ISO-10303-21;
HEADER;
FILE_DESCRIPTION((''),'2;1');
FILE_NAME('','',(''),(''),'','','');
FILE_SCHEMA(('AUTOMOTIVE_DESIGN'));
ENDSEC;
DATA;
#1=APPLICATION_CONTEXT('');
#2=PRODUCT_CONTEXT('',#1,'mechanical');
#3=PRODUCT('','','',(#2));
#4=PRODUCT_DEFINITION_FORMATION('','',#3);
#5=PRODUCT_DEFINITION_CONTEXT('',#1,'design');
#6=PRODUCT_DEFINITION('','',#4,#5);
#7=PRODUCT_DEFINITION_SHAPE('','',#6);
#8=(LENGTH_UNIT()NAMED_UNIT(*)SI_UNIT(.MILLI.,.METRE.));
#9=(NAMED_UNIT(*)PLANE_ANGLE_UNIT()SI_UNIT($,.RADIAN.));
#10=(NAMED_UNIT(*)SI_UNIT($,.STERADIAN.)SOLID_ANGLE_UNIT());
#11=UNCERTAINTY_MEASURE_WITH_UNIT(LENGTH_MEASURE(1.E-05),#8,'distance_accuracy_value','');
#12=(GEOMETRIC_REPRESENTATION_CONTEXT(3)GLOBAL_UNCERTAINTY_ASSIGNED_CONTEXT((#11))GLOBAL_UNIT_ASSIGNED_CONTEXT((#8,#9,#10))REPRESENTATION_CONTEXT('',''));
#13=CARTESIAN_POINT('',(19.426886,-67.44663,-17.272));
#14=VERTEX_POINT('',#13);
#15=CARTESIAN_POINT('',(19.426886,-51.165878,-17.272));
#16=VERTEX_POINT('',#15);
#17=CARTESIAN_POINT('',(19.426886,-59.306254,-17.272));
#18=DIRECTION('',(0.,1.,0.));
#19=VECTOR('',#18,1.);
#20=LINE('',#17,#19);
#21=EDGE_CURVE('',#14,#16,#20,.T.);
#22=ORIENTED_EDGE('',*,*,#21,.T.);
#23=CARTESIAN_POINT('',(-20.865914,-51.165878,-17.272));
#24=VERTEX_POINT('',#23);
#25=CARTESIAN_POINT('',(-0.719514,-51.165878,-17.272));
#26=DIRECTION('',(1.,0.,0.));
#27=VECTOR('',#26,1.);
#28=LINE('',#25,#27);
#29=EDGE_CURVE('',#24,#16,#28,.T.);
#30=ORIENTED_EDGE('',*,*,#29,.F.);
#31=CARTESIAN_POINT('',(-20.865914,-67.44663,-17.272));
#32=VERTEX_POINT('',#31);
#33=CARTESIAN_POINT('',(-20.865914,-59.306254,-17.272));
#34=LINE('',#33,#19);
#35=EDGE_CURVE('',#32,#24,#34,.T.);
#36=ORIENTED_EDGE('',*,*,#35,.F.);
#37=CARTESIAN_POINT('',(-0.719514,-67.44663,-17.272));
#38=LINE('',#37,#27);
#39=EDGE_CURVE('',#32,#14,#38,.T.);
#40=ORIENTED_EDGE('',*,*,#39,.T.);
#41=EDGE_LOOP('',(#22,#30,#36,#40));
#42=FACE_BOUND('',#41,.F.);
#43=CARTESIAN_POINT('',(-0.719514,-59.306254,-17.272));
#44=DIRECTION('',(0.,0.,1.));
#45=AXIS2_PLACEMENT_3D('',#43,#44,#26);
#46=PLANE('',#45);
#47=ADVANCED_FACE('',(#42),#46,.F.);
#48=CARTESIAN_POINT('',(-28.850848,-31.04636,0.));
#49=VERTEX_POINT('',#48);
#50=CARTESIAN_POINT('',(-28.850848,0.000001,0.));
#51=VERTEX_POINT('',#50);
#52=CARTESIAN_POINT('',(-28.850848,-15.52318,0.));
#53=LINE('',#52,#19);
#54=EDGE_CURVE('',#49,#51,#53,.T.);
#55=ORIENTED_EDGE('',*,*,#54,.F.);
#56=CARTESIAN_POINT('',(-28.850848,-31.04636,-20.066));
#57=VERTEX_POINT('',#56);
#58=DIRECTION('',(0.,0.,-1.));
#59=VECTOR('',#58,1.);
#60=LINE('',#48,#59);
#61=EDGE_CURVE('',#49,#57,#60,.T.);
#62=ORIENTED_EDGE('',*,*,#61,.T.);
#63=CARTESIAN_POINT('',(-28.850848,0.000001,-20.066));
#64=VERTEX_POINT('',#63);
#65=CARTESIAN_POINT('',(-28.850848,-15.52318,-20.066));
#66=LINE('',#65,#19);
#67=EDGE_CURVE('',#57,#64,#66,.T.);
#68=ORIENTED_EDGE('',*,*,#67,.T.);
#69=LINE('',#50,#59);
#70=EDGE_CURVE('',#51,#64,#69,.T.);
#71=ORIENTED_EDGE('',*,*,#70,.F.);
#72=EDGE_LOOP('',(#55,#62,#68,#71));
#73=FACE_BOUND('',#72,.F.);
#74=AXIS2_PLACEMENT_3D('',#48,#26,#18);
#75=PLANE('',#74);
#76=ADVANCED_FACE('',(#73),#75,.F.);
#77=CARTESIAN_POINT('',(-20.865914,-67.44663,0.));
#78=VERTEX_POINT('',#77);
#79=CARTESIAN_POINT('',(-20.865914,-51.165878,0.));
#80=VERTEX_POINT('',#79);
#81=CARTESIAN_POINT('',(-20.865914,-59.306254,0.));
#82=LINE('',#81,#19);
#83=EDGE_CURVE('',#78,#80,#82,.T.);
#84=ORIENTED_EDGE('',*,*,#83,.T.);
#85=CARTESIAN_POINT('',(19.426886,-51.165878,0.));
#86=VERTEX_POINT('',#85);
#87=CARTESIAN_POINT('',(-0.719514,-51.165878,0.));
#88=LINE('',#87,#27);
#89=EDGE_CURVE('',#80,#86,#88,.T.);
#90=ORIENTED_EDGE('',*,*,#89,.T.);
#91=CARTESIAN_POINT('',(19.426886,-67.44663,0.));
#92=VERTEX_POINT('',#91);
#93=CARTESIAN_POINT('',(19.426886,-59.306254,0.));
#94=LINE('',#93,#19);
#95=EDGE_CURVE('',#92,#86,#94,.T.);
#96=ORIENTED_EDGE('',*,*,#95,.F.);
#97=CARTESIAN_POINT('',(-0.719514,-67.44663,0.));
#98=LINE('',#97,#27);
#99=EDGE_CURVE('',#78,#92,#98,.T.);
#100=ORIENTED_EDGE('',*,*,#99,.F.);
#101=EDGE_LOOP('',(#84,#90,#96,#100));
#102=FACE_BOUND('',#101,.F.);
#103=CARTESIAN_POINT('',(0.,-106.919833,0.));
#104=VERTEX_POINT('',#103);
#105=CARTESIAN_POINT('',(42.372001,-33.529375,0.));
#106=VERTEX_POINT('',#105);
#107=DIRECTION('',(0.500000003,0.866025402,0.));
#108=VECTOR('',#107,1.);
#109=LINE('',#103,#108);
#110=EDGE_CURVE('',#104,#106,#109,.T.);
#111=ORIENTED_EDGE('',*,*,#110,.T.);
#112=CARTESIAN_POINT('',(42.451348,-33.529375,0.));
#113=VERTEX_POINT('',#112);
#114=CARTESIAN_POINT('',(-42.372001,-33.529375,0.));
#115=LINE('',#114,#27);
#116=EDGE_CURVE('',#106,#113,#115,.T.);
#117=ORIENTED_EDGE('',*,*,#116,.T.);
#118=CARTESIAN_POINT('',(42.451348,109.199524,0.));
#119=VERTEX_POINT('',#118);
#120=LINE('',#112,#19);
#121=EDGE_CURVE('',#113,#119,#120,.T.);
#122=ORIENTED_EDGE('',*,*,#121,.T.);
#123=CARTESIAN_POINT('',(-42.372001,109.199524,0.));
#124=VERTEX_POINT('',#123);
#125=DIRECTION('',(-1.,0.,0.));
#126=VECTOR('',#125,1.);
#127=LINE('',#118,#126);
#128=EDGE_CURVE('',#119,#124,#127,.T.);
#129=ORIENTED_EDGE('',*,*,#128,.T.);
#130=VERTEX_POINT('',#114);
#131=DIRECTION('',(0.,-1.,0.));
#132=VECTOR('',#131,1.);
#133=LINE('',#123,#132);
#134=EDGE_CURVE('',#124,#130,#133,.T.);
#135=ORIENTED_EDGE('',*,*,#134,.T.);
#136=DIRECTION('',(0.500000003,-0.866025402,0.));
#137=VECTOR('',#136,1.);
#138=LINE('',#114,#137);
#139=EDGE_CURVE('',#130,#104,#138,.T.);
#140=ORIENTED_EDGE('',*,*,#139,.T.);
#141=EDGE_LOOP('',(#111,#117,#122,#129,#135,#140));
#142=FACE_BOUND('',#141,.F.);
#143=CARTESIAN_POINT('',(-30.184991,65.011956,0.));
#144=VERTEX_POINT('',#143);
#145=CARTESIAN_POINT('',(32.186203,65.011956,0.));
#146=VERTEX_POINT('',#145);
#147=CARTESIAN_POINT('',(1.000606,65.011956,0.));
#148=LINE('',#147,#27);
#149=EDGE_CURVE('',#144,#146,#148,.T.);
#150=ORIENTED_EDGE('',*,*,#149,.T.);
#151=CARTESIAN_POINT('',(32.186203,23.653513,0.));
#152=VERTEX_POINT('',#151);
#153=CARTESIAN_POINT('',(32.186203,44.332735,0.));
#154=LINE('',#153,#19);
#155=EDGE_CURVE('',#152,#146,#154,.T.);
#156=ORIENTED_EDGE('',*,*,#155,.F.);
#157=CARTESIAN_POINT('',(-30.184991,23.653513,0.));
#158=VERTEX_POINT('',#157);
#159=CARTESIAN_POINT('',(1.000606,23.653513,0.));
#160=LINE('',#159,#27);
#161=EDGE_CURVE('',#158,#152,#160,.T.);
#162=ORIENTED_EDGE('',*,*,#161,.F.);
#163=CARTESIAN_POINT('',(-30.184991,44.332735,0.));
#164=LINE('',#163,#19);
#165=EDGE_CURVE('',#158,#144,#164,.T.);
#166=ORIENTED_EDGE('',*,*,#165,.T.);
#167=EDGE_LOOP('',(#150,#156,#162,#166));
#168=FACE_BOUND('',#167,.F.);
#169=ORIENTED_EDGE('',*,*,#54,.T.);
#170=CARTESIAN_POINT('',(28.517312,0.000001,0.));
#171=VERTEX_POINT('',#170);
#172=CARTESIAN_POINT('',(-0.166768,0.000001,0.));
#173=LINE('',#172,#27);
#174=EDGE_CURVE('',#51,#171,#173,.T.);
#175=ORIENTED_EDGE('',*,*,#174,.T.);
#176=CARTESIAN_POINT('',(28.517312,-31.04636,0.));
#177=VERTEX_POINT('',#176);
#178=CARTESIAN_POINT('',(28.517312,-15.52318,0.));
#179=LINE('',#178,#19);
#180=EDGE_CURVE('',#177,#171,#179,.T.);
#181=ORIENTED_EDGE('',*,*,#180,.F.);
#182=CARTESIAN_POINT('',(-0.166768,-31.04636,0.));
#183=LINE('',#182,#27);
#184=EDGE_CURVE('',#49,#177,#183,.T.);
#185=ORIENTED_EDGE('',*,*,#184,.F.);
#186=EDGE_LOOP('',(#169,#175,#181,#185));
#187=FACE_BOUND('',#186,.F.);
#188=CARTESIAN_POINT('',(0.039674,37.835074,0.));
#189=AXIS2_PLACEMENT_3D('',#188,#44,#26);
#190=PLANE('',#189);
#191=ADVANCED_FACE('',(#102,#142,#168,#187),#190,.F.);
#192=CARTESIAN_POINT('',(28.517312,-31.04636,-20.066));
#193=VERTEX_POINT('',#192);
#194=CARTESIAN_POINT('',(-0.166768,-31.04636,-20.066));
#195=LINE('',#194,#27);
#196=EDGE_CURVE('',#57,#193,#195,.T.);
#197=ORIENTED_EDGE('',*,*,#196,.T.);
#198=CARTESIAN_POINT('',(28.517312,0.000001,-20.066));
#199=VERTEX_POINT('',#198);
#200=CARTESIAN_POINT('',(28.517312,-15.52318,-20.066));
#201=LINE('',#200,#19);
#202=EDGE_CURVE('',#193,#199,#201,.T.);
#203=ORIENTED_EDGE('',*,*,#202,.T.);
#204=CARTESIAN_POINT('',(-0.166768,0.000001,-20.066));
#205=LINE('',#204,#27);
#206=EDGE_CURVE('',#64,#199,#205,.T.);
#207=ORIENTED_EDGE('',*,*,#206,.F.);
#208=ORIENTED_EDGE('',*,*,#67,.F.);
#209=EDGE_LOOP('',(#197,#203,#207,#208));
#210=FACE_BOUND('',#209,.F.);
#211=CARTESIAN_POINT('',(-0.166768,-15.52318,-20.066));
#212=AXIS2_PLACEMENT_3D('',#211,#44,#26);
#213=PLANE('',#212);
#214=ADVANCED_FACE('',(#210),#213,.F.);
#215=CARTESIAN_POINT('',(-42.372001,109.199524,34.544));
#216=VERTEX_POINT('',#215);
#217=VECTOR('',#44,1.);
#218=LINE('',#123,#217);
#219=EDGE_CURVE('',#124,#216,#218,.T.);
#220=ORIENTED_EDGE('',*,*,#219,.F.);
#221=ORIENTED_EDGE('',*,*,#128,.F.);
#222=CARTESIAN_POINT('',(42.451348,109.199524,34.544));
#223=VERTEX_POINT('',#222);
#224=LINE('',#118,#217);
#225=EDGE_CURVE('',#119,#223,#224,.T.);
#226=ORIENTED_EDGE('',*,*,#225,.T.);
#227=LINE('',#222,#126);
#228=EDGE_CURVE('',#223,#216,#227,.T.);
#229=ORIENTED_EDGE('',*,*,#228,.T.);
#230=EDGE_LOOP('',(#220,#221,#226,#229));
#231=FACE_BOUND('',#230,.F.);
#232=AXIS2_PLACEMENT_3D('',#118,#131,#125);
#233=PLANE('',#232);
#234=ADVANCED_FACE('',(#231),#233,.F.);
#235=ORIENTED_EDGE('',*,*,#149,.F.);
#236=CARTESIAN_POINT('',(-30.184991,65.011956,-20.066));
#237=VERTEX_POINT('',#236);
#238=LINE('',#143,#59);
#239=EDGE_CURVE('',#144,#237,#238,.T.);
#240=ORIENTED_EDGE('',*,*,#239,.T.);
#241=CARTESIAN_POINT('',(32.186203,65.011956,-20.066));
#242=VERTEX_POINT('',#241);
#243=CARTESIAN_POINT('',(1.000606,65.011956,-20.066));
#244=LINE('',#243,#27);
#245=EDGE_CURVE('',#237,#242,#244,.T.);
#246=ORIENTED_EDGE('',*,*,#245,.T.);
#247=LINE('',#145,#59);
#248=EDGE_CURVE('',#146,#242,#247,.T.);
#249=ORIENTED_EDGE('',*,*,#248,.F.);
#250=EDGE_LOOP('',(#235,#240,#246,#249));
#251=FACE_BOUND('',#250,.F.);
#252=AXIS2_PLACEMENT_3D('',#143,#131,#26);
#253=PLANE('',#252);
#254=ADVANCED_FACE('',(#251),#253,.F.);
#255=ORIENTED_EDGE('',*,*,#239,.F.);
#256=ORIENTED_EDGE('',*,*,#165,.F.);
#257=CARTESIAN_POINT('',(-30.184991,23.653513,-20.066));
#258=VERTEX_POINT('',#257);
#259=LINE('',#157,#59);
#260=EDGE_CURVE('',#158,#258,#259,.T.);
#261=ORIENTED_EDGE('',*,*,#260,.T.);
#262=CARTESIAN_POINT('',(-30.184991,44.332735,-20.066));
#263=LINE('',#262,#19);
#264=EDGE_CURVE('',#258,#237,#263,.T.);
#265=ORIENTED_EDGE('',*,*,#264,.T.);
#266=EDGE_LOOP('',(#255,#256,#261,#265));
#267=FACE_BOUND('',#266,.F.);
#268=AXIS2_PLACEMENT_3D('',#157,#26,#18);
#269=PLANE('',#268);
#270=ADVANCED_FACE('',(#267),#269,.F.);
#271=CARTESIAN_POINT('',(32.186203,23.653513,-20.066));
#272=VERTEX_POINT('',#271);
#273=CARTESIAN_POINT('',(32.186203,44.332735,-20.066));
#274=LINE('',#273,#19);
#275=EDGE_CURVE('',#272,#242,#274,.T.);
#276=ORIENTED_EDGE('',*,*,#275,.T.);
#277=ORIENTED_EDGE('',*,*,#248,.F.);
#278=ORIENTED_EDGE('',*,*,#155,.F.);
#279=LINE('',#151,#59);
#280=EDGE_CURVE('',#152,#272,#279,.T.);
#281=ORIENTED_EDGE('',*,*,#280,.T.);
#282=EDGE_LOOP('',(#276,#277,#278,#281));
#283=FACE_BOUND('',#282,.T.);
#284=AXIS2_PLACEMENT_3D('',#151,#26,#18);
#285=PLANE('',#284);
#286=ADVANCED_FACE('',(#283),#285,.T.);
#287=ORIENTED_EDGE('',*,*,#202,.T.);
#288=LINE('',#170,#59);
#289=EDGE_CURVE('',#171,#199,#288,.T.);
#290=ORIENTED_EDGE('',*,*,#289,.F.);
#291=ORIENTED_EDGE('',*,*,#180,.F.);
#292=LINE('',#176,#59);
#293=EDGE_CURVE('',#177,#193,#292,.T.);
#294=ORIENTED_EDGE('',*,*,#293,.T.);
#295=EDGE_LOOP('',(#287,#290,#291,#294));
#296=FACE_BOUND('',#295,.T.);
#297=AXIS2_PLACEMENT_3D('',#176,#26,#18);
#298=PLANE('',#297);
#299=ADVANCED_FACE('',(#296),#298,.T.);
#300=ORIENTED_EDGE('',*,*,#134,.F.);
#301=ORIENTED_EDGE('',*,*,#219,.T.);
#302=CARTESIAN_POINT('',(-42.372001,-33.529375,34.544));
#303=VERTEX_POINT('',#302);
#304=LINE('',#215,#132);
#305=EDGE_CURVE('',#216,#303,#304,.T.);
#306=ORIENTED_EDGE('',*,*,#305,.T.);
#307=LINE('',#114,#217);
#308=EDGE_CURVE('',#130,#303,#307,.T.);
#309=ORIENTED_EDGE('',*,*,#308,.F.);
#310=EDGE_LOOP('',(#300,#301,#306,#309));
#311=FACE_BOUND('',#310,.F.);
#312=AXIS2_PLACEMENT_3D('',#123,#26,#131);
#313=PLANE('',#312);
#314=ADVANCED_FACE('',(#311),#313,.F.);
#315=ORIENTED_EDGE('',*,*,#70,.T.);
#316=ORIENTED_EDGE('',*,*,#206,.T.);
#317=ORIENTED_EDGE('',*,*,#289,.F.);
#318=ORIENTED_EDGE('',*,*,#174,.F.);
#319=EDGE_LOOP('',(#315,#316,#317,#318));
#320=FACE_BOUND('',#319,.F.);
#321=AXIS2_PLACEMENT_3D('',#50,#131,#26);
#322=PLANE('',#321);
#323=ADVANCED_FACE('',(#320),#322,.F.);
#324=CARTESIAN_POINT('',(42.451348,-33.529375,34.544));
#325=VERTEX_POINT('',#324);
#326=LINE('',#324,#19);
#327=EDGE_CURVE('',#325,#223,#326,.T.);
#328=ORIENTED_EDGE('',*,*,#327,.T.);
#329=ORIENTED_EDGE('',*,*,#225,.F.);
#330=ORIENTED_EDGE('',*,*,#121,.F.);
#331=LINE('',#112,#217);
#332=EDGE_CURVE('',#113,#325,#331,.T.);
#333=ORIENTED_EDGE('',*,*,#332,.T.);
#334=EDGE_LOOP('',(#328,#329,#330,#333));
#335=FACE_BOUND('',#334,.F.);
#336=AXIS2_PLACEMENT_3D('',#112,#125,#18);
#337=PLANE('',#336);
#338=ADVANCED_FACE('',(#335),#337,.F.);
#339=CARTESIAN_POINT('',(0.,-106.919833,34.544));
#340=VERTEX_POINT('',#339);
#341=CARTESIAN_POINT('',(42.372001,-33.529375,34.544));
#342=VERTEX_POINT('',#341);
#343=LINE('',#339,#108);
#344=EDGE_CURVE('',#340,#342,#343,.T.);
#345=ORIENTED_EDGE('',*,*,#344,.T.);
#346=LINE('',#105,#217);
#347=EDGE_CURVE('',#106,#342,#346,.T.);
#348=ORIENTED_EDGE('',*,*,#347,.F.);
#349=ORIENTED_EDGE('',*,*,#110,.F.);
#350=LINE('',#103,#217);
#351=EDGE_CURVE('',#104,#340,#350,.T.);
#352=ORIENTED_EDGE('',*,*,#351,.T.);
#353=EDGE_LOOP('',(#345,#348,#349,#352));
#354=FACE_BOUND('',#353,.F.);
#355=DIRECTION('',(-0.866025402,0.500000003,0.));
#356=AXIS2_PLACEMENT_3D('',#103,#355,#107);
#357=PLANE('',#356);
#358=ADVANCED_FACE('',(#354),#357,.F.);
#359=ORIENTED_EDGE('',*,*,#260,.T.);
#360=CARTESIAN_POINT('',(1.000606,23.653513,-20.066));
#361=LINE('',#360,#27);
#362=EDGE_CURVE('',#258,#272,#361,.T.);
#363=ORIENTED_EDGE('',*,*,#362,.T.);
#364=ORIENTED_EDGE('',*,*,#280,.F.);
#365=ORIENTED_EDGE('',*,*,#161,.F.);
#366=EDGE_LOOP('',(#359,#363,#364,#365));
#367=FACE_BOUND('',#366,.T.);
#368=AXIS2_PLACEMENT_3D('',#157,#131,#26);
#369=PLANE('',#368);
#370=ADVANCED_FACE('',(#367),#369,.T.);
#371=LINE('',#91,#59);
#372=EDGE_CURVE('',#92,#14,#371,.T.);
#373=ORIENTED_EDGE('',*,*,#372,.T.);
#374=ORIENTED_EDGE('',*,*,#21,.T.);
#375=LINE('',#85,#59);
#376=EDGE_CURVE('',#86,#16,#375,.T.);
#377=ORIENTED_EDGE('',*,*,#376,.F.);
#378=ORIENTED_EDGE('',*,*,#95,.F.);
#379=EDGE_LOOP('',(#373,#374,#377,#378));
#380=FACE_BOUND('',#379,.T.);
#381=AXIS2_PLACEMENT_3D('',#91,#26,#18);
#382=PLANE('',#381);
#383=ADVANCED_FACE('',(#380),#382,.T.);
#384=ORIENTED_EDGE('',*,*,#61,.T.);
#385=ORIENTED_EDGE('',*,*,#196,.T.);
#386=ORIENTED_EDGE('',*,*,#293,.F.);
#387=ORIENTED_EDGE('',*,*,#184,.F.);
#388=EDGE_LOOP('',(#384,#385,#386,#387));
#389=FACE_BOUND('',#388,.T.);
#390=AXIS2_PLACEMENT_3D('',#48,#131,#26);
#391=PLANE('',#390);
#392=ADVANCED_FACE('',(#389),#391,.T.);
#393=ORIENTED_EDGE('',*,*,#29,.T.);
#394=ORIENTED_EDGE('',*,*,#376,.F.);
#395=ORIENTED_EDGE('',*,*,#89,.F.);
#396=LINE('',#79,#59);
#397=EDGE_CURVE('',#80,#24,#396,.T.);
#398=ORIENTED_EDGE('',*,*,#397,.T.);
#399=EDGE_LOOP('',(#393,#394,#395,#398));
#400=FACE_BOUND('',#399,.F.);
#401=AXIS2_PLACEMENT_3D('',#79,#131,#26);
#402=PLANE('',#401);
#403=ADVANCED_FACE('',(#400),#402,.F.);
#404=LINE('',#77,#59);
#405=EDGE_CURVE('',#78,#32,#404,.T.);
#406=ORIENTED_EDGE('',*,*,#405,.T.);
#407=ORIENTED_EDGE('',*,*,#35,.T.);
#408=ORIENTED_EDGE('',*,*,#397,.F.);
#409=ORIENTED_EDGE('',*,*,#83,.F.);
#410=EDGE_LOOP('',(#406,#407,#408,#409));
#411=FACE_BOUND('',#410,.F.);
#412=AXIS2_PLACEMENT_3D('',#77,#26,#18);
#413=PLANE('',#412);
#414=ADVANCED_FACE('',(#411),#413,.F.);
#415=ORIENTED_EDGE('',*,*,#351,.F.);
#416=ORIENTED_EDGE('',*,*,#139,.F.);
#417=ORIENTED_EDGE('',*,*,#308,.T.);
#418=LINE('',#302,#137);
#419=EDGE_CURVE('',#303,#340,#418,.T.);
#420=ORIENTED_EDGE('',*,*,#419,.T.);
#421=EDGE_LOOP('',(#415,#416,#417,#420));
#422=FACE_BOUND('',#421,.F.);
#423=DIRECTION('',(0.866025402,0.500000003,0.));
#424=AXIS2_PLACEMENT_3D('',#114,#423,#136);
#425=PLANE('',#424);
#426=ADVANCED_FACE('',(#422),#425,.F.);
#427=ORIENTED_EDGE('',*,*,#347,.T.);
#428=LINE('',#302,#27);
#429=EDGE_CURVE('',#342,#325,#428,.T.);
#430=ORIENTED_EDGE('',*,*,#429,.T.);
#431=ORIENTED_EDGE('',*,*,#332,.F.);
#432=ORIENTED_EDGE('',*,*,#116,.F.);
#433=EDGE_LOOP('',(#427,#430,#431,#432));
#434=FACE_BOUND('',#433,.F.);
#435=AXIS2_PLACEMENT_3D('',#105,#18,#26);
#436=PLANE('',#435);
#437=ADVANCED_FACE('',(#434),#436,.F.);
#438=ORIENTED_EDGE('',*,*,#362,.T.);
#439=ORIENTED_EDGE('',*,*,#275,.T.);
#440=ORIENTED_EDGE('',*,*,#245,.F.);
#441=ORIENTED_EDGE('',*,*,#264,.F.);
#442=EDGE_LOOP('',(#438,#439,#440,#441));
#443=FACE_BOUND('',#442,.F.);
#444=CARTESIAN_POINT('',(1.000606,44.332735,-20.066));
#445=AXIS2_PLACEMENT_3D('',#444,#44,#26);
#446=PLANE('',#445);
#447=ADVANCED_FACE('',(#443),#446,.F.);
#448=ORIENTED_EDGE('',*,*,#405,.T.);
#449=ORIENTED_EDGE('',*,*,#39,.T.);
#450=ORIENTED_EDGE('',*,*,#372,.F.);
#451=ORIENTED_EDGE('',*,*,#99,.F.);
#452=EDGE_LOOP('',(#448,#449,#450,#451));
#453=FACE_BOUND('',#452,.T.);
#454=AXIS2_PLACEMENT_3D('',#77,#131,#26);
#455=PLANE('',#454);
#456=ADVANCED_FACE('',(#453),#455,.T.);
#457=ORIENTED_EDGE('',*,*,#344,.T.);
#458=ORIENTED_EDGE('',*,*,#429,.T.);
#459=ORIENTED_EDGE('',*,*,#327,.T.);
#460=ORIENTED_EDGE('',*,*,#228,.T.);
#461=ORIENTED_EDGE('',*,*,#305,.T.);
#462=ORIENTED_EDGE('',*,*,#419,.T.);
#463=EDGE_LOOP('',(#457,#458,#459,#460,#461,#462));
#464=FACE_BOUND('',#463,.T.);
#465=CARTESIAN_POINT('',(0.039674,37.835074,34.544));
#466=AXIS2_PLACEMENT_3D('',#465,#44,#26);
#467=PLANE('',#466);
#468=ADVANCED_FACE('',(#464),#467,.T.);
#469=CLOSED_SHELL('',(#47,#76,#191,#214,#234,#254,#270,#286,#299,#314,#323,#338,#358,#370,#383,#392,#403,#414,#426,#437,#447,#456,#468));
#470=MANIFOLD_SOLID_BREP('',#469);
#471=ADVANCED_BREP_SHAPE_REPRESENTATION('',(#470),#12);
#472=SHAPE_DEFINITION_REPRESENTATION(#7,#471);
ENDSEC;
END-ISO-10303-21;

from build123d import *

# Parameters (mm, degrees)
F1_DEPTH = 34.544
F2_W     = 40.292801
F2_H     = 16.280751
F3_DEPTH = 17.272
F4_W     = 62.371195
F4_H     = 41.358443
F4_W_2   = 57.368159
F4_H_2   = 31.046361
F5_DEPTH = 20.066


with BuildPart() as f1:
    # F0 (on Top) → F1 (new body)
    with BuildSketch(Plane.XY):
        Polygon((-42.372001, 77.851459), (-42.372001, -33.529375), (42.372001, -33.529375), (42.451348, -33.529375), (42.451348, 77.851459), (42.451348, 109.199524), (-42.372001, 109.199524), align=None)
        Polygon((42.372001, -33.529375), (-42.372001, -33.529375), (0, -106.919833), align=None)
    extrude(amount=F1_DEPTH)

    # F2 (on Top) → F3 (join)
    with BuildSketch(Plane.XY):
        with Locations((-0.719514, -59.306254)):
            Rectangle(F2_W, F2_H)
    extrude(amount=-F3_DEPTH)

    # F4 (on Top) → F5 (join)
    with BuildSketch(Plane.XY):
        with Locations((1.000606, 44.332735)):
            Rectangle(F4_W, F4_H)
        with Locations((-0.166768, -15.52318)):
            Rectangle(F4_W_2, F4_H_2)
    extrude(amount=-F5_DEPTH)


solid = f1.part
